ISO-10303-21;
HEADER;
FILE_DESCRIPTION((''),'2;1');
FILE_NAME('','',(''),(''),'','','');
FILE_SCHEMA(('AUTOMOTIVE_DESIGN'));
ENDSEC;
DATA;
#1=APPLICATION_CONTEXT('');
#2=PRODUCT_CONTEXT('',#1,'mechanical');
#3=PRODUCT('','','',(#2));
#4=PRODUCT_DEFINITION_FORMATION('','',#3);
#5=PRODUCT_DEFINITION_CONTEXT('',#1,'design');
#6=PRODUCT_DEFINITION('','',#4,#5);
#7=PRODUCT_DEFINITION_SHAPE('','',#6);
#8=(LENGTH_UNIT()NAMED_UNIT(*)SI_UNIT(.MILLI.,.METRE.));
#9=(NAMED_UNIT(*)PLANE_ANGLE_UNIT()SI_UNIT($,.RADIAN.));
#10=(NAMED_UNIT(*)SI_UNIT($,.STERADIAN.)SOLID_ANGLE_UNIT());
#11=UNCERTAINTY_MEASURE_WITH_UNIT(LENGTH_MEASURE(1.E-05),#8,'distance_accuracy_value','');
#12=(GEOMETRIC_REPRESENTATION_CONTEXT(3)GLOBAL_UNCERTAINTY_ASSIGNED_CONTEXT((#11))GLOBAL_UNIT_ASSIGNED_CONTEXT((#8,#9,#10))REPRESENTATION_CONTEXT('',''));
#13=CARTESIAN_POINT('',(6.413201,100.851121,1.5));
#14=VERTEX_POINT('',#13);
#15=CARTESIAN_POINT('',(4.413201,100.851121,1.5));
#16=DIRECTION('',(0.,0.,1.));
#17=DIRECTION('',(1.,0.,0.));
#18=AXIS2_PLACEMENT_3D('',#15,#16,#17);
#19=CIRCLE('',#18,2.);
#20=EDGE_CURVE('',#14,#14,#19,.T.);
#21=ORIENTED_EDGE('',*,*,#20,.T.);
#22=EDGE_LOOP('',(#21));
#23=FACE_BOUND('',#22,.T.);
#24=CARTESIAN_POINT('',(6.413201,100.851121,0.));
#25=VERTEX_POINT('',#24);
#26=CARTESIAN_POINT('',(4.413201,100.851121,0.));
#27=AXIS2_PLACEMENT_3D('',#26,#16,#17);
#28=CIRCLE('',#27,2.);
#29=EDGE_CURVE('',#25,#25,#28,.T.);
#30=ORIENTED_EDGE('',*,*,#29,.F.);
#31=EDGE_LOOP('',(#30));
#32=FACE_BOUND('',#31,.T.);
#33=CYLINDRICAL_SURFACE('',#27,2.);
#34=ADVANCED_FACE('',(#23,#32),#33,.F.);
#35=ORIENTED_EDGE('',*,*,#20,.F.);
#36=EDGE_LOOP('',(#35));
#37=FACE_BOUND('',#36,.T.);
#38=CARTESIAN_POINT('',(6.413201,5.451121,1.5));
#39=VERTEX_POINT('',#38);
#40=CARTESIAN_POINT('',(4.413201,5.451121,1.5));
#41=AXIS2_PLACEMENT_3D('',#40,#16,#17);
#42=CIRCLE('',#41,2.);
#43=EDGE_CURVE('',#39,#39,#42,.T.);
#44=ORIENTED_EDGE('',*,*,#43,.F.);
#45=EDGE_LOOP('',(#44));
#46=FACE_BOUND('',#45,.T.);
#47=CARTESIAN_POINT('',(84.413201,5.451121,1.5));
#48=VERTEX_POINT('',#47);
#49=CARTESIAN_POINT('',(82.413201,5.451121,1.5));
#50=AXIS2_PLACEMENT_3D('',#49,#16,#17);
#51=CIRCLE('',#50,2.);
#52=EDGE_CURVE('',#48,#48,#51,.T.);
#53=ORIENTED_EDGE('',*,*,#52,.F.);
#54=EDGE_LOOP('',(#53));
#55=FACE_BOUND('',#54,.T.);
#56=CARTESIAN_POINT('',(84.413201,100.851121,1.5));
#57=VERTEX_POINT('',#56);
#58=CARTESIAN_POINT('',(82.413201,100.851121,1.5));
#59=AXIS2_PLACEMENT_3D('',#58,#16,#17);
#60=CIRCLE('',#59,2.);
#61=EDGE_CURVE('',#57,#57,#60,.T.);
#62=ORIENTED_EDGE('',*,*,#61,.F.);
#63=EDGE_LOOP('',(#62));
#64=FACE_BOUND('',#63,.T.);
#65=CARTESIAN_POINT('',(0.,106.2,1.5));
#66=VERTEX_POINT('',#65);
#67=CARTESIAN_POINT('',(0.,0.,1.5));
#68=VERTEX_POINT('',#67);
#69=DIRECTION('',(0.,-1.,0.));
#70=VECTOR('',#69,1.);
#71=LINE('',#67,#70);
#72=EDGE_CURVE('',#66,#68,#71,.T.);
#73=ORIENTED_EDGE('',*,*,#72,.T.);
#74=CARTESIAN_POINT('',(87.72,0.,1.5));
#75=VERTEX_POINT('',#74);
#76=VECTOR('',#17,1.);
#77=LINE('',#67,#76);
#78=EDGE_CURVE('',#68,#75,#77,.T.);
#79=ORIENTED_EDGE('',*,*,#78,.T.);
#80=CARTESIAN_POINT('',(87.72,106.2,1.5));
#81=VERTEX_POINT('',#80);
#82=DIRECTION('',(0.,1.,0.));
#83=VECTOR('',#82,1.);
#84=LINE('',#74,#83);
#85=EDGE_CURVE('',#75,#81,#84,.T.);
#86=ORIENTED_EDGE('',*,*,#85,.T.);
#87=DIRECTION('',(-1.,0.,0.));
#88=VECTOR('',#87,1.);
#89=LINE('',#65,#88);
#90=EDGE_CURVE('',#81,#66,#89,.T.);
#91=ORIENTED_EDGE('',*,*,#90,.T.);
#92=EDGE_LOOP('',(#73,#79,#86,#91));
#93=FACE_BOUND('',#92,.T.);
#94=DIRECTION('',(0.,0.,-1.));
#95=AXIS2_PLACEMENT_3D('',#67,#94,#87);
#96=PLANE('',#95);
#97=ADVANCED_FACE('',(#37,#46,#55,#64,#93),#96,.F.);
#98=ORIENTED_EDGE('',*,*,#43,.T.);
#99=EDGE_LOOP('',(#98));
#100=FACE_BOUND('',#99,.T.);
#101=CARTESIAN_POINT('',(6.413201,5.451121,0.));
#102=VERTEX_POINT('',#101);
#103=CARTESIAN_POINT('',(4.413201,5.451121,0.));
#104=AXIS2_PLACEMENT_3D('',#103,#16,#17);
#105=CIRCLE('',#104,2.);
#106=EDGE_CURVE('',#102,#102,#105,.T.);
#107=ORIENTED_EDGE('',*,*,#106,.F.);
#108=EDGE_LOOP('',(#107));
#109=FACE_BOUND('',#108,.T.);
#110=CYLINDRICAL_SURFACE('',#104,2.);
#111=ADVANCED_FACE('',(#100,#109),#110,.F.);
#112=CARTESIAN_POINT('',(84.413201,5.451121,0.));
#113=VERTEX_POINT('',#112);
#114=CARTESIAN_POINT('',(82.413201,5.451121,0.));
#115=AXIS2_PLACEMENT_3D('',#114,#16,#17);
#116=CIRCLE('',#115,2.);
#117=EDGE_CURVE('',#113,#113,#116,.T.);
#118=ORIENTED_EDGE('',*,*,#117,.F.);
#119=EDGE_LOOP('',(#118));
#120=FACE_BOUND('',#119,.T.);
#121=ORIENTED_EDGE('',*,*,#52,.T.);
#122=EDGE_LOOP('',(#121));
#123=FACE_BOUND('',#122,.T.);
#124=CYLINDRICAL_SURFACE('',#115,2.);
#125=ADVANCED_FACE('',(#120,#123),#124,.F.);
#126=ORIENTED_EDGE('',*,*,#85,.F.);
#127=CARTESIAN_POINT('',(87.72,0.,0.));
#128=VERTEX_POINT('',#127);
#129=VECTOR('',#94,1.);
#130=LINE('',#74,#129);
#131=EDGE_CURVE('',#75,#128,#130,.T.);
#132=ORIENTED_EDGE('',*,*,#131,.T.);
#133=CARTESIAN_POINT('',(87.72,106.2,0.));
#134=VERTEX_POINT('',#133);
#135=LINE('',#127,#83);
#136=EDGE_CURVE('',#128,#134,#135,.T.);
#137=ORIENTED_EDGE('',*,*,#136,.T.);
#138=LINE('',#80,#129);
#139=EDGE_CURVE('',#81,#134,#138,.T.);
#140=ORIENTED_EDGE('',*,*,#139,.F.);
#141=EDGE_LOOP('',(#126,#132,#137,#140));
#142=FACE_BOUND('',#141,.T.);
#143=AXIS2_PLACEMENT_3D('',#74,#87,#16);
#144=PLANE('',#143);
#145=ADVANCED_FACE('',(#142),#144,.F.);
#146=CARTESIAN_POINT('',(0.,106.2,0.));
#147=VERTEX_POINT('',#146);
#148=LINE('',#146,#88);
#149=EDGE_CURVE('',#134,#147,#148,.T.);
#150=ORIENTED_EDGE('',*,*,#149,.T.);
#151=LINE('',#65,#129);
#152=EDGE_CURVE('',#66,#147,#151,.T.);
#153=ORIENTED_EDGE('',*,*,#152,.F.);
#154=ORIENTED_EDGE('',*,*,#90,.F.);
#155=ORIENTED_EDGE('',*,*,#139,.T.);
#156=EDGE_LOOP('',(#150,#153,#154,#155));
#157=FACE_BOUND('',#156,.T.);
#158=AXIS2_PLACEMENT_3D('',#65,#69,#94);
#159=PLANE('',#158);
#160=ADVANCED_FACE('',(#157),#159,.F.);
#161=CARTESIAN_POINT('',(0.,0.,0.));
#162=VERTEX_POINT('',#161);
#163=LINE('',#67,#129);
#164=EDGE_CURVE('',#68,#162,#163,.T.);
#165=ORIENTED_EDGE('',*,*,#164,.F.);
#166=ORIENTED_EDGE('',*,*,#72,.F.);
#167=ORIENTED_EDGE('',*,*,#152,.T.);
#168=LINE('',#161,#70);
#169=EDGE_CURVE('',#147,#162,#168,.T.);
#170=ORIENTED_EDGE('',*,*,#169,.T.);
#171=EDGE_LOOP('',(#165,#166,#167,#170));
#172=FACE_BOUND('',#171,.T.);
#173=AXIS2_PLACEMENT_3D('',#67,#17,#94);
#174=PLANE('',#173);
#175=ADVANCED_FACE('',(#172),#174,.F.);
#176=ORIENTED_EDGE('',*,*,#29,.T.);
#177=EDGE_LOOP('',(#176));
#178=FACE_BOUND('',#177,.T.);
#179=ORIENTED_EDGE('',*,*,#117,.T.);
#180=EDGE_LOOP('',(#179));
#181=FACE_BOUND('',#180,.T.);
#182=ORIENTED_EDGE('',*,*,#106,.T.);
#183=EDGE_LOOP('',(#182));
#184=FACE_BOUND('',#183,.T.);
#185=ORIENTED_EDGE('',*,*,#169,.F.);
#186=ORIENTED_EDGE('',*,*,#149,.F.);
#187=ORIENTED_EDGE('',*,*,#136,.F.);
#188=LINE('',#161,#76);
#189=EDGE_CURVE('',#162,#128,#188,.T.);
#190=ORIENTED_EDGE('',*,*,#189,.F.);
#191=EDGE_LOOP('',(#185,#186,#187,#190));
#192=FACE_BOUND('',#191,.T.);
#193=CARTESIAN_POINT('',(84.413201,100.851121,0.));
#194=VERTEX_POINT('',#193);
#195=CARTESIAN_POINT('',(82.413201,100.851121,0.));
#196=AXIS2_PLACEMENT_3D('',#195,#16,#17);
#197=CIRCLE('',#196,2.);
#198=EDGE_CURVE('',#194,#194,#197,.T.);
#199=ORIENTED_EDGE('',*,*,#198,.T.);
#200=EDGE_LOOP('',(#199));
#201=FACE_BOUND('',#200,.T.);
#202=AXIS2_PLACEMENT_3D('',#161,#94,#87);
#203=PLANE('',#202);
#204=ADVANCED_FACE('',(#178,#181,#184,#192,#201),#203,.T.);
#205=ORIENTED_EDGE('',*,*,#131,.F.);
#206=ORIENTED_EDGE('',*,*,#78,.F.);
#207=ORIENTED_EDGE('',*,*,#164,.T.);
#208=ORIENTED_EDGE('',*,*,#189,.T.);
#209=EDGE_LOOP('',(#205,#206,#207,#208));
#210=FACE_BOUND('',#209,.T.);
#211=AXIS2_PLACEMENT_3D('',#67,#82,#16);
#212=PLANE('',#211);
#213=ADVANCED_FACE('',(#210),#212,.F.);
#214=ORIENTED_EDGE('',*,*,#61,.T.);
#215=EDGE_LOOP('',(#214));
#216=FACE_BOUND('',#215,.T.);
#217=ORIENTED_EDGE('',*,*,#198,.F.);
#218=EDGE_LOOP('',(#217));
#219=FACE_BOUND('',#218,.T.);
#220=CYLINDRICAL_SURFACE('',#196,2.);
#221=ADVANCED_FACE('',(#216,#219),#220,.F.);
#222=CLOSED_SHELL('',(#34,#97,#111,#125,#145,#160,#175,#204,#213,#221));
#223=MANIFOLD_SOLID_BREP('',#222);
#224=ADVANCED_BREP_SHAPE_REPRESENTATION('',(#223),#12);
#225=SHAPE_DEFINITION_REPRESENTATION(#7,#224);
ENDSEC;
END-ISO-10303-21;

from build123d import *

# Parameters (mm, degrees)
SKETCH1_W           = 87.72
SKETCH1_H           = 106.2
BOSS_EXTRUDE1_DEPTH = 1.5
SKETCH2_R           = 2
CUT_EXTRUDE1_DEPTH  = 2.5


with BuildPart() as part:
    # Sketch1 → Boss-Extrude1 (new body)
    with BuildSketch(Plane.XY):
        with Locations((43.86, 53.1)):
            Rectangle(SKETCH1_W, SKETCH1_H)
    extrude(amount=BOSS_EXTRUDE1_DEPTH)

    # Sketch2 → Cut-Extrude1 (cut, through all)
    with BuildSketch(Plane.XY.offset(1.5)):
        with Locations((4.413201005, 100.851121267)):
            Circle(SKETCH2_R)
        with Locations((4.413201005, 5.451121267)):
            Circle(SKETCH2_R)
        with Locations((82.413201005, 100.851121267)):
            Circle(SKETCH2_R)
        with Locations((82.413201005, 5.451121267)):
            Circle(SKETCH2_R)
    extrude(amount=-CUT_EXTRUDE1_DEPTH, mode=Mode.SUBTRACT)


solid = part.part
